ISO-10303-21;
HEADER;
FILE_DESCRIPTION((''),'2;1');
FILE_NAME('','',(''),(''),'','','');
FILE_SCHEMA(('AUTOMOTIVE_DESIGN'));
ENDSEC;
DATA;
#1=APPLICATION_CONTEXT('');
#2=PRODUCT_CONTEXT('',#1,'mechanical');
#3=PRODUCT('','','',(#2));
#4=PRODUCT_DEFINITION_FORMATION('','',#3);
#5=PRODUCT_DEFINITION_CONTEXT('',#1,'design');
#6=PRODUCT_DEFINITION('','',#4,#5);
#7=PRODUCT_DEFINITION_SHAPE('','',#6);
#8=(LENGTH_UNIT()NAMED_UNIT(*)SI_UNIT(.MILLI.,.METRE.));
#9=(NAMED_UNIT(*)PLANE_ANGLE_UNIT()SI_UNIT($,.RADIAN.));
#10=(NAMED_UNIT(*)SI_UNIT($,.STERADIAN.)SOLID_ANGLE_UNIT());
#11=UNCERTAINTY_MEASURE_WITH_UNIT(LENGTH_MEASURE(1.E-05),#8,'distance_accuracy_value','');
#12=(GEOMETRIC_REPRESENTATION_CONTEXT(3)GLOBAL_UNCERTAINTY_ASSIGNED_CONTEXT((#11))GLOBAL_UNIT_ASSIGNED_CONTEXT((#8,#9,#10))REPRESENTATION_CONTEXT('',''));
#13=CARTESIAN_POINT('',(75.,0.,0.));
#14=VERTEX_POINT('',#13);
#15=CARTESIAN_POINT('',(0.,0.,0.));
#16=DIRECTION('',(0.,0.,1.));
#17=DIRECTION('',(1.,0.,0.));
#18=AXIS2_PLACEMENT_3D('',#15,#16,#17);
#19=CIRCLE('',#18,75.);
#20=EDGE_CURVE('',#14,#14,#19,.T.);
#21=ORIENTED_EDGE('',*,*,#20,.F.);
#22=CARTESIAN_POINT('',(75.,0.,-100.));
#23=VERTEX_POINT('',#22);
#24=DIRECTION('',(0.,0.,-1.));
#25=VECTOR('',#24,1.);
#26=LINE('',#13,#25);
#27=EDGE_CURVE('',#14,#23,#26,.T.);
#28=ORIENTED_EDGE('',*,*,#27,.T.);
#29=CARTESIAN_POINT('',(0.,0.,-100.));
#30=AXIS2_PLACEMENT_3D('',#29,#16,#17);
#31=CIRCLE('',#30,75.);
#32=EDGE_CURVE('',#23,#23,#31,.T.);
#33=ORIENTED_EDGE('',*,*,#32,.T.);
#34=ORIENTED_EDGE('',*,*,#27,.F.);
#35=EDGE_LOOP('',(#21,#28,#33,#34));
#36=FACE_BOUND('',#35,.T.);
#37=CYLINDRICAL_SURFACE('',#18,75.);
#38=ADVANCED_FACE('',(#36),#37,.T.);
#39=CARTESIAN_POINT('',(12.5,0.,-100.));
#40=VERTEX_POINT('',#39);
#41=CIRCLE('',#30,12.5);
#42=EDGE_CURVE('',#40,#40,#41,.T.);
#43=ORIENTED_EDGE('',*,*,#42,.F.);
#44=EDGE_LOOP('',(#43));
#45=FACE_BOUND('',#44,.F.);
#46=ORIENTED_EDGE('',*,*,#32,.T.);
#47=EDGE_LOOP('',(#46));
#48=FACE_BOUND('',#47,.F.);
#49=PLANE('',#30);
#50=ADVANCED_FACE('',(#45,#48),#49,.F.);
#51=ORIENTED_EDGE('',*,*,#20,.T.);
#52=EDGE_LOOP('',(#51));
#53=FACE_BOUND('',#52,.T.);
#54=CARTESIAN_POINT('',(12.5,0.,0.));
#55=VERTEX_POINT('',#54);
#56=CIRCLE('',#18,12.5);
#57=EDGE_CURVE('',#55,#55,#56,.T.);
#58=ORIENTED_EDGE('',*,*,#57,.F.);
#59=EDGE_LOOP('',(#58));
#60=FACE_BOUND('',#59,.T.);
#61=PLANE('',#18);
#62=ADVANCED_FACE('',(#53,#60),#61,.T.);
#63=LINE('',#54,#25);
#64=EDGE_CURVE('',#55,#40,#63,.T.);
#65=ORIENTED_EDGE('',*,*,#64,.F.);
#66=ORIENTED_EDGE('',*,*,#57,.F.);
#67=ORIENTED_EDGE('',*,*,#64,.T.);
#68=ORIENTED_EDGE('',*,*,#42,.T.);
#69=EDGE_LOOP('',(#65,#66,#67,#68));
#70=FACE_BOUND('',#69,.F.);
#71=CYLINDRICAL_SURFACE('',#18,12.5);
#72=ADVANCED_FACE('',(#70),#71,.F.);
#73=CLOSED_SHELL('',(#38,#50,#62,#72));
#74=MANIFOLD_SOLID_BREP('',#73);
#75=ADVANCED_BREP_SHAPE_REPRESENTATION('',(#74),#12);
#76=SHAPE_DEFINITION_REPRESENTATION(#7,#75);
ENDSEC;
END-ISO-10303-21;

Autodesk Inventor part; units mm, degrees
ref_plane "YZ Plane" through (0, 0, 0) normal (1, 0, 0) x (0, 1, 0)
ref_plane "XZ Plane" through (0, 0, 0) normal (0, 1, 0) x (-1, 0, 0)
ref_plane "XY Plane" through (0, 0, 0) normal (0, 0, 1) x (1, 0, 0)
sketch "Esquisse1" plane through (0, 0, 0) normal (0, 0, 1) x (1, 0, 0)
  circle A0 centre (0, 0) radius 12.5
  circle A1 centre (0, 0) radius 75
  dimension "d0" = 25
  dimension "d1" = 150
extrude "Extrusion1" add sketch "Esquisse1" against normal blind 100
properties part number "Masse"
